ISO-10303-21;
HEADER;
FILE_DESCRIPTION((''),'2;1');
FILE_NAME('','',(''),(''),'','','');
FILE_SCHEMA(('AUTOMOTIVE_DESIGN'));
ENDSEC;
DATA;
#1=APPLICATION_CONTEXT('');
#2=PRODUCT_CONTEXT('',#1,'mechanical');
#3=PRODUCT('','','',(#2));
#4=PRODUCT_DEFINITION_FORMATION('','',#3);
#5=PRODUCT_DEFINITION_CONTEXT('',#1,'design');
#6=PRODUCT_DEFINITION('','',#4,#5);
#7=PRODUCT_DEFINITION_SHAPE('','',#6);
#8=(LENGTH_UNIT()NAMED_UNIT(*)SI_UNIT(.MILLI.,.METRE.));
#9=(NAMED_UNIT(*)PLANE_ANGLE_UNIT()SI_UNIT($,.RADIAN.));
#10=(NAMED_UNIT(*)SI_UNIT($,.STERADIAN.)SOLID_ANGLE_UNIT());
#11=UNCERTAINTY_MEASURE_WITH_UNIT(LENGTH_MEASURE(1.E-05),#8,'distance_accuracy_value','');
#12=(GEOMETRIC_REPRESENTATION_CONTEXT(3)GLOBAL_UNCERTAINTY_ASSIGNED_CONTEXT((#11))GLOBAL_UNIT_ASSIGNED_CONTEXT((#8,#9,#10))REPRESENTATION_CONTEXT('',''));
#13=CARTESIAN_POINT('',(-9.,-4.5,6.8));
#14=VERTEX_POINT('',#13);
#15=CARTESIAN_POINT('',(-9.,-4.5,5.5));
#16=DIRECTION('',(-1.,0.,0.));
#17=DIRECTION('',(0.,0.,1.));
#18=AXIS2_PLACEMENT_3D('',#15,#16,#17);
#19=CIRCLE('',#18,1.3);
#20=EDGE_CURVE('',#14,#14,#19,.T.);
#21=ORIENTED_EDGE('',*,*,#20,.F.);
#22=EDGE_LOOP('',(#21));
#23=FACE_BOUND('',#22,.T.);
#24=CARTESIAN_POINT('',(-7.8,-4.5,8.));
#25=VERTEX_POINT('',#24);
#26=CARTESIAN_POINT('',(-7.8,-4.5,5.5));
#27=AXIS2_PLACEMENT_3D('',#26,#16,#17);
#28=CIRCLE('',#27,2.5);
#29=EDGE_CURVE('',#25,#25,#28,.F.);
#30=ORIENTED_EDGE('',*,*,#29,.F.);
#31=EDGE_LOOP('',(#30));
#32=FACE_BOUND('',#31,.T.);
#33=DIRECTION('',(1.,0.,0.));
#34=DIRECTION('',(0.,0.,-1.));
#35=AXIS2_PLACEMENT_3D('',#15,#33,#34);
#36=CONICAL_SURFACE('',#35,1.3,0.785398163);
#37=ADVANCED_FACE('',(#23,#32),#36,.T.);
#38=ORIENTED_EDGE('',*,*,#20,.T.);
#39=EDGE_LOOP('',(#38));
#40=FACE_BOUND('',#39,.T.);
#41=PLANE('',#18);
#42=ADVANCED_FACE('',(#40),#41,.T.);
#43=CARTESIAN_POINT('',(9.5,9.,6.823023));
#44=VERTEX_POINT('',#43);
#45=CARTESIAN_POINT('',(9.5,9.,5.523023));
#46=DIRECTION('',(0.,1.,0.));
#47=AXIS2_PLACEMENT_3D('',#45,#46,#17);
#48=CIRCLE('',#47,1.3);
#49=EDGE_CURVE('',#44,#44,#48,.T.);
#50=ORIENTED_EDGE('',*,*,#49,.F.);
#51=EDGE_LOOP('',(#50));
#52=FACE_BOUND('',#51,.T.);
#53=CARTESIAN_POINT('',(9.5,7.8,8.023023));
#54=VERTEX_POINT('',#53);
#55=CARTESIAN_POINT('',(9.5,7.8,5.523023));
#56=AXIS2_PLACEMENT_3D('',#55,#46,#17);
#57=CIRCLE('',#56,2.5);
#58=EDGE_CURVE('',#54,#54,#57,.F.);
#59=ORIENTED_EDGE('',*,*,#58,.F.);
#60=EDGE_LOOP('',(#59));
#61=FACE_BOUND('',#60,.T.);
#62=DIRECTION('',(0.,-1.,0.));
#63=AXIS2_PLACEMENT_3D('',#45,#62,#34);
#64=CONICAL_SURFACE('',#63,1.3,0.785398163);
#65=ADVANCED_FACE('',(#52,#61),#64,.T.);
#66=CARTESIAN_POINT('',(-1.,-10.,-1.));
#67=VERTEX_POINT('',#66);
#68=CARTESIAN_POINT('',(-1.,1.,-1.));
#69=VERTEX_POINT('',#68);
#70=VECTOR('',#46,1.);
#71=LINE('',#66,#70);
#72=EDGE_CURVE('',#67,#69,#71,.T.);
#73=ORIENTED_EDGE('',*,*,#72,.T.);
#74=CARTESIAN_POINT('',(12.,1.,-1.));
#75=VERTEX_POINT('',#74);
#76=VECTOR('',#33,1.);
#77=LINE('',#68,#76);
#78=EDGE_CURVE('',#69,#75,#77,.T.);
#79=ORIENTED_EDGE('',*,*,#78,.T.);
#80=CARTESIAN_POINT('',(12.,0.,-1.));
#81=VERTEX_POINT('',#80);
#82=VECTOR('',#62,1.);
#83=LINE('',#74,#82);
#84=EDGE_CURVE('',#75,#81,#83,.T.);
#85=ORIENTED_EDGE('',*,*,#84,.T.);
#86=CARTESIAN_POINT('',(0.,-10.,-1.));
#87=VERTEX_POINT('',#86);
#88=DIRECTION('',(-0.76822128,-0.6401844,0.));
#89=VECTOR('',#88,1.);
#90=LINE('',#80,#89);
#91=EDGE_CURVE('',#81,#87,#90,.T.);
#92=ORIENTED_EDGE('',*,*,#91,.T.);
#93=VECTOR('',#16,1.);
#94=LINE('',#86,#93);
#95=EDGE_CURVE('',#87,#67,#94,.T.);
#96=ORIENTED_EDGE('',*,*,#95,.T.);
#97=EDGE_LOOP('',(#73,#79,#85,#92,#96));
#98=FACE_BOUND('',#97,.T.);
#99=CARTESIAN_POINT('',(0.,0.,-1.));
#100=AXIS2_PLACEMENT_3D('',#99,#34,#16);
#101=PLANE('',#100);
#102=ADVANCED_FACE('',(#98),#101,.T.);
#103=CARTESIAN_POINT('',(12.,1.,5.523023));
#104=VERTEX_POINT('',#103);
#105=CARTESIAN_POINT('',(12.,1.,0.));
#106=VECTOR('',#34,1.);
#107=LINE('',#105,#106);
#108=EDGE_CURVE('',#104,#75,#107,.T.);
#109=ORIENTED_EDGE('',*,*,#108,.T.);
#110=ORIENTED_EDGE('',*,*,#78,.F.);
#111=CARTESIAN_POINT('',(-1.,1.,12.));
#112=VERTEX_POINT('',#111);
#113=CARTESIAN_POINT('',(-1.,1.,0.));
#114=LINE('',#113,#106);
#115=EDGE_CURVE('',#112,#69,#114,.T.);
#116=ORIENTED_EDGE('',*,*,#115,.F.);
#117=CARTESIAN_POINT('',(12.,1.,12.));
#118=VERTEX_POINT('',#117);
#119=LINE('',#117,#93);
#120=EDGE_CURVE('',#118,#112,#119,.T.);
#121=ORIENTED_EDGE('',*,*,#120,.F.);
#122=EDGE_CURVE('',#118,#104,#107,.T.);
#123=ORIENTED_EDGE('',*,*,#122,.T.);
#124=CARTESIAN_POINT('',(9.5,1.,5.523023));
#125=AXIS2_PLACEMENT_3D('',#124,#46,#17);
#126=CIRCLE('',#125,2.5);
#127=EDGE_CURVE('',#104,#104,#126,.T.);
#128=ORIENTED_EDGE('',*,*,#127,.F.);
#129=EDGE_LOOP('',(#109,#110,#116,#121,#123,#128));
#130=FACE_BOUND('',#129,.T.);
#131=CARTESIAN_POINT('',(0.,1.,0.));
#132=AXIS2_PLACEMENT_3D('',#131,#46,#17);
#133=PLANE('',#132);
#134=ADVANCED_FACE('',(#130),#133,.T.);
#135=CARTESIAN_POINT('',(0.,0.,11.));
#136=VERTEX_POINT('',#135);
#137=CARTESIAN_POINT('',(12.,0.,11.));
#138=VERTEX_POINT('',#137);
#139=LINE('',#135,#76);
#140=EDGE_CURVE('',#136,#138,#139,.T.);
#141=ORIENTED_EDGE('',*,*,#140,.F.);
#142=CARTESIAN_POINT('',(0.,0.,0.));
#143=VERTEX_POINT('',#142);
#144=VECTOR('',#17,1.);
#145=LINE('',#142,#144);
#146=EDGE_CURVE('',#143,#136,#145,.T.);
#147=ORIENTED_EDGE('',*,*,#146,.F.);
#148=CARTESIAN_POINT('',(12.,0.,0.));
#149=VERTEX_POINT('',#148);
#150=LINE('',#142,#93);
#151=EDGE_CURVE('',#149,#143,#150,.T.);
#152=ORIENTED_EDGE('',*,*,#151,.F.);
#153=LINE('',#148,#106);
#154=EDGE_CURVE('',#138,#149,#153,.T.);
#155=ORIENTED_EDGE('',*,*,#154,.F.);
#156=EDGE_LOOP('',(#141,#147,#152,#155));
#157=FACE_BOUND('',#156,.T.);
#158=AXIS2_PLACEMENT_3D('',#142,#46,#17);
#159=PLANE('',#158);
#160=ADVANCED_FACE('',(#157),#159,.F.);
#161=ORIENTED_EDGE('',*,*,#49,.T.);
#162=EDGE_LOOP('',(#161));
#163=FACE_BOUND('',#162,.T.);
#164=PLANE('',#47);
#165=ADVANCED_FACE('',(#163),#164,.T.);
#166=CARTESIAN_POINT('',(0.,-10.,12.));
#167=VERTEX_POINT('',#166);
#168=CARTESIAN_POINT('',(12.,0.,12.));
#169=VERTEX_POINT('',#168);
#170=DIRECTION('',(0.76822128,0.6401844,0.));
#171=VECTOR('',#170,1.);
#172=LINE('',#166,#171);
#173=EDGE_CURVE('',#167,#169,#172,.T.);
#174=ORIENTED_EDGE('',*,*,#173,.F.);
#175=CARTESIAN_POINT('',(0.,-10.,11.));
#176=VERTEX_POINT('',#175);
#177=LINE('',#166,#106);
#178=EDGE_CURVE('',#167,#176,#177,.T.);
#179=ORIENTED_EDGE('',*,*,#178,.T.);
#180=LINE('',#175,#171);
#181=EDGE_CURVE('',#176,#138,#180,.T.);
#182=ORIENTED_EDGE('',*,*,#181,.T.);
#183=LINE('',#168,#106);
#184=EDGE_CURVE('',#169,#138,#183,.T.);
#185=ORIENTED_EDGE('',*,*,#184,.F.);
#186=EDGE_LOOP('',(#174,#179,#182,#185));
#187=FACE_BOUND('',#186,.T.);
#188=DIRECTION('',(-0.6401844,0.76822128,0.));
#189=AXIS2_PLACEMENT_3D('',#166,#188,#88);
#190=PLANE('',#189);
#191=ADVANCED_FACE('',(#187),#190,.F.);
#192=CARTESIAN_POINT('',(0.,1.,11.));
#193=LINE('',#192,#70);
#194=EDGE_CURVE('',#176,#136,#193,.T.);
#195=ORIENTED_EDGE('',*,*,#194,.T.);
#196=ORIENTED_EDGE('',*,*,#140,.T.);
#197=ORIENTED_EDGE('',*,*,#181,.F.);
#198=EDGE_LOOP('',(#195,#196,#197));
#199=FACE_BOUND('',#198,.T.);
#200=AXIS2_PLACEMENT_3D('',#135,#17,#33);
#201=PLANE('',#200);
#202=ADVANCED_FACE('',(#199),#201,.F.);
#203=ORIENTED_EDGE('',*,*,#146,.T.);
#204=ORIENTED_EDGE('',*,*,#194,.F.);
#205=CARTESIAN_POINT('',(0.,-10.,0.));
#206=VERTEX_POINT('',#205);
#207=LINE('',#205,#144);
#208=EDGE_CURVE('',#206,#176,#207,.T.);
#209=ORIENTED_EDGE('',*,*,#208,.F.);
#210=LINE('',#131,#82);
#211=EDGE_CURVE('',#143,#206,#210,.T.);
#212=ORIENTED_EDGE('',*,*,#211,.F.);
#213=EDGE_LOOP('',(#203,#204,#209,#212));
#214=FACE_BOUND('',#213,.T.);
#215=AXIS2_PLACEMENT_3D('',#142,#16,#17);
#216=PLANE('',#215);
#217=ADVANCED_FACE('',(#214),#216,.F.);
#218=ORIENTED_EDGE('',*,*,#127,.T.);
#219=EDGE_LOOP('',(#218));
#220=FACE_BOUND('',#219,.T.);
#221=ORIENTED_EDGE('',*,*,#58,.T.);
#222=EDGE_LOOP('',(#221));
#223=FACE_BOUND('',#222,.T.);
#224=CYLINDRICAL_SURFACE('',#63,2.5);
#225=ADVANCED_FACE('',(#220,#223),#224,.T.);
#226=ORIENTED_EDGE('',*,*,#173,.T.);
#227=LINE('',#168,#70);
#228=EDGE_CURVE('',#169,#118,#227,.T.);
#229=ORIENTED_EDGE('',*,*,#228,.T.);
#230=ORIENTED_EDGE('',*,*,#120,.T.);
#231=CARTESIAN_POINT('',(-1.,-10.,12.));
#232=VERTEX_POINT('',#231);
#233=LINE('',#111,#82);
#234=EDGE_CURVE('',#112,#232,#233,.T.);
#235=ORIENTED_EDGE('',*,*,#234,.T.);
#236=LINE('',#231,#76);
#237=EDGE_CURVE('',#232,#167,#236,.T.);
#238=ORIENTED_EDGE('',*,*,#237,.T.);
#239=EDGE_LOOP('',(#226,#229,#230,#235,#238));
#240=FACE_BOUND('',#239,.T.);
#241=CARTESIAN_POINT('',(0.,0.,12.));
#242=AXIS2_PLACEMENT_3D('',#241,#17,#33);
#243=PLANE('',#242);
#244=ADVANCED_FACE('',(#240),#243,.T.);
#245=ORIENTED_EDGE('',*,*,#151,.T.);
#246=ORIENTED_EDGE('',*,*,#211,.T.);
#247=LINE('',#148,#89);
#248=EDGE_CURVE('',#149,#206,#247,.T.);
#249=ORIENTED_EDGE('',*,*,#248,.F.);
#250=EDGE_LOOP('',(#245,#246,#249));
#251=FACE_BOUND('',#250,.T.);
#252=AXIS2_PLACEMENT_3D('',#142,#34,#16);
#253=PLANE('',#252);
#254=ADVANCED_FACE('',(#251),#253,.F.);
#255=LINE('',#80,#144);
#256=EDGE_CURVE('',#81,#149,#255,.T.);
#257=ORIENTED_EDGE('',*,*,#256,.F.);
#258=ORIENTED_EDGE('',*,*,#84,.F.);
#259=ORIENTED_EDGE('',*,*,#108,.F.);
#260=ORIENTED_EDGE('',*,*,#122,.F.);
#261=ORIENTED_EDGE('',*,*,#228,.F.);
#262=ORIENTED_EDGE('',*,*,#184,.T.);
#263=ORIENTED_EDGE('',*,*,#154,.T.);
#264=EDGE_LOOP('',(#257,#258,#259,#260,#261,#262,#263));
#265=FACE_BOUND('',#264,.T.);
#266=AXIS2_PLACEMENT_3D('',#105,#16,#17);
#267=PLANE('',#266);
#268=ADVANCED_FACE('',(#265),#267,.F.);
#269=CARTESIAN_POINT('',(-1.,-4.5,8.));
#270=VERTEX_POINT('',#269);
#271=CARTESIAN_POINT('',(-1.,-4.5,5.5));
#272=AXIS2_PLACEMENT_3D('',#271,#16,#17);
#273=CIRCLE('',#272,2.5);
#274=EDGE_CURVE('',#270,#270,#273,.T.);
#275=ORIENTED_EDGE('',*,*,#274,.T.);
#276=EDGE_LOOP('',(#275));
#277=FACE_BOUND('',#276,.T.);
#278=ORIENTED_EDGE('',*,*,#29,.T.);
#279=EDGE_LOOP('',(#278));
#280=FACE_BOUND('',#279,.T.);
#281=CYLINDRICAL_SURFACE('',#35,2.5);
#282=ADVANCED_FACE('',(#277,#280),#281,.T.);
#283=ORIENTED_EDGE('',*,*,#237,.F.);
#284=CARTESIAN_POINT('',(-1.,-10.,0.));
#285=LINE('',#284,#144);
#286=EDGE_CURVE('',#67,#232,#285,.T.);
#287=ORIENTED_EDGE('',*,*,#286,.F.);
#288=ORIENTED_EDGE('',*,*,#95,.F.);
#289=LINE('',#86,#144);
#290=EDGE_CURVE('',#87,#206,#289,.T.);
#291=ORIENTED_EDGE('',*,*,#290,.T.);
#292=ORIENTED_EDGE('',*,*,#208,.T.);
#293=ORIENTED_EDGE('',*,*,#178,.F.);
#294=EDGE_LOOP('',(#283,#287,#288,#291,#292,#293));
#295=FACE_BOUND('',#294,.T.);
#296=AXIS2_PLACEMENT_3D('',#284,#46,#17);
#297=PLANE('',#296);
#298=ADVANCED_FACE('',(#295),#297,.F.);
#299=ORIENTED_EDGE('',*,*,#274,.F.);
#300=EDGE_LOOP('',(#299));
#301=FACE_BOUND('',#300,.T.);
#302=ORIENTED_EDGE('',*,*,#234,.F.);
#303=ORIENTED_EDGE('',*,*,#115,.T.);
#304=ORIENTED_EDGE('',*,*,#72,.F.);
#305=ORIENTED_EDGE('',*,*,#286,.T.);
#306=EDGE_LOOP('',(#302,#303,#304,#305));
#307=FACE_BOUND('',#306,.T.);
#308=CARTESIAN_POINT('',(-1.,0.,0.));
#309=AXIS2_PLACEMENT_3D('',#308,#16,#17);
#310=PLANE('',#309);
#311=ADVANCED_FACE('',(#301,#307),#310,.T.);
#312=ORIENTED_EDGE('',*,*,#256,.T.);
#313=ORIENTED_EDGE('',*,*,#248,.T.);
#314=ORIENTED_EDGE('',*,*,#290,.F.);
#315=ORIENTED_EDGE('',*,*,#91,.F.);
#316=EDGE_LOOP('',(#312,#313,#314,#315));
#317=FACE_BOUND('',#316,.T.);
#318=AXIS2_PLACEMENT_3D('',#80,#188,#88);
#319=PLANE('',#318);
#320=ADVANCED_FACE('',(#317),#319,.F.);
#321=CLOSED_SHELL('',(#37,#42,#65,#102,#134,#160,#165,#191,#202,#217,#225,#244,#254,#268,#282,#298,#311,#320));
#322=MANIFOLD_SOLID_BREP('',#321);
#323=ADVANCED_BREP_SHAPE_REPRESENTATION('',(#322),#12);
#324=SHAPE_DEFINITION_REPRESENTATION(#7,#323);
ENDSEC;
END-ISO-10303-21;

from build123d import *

# Parameters (mm, degrees)
SKETCH1_W           = 12
SKETCH1_H           = 11
BOSS_EXTRUDE1_DEPTH = 1
SKETCH2_W           = 11
SKETCH2_H           = 11
BOSS_EXTRUDE2_DEPTH = 1
SKETCH3_R           = 2.5
BOSS_EXTRUDE3_DEPTH = 8
CHAMFER1_SIZE       = 1.2
SKETCH4_R           = 2.5
BOSS_EXTRUDE4_DEPTH = 8
CHAMFER2_SIZE       = 1.2
BOSS_EXTRUDE5_DEPTH = 1
BOSS_EXTRUDE6_DEPTH = 1


with BuildPart() as part:
    # Sketch1 → Boss-Extrude1 (new body)
    with BuildSketch(Plane(origin=(0, 0, 0), x_dir=(1, 0, 0), z_dir=(0, 1, 0))):
        with Locations((6, -5.5)):
            Rectangle(SKETCH1_W, SKETCH1_H)
    extrude(amount=BOSS_EXTRUDE1_DEPTH)

    # Sketch2 → Boss-Extrude2 (add)
    with BuildSketch(Plane.ZY):
        with Locations((5.5, -4.5)):
            Rectangle(SKETCH2_W, SKETCH2_H)
    extrude(amount=BOSS_EXTRUDE2_DEPTH)

    # Sketch3 → Boss-Extrude3 (add)
    with BuildSketch(Plane.ZY.offset(1)):
        with Locations((5.5, -4.5)):
            Circle(SKETCH3_R)
    extrude(amount=BOSS_EXTRUDE3_DEPTH)

    # Chamfer1
    chamfer1_edges = [part.edges().sort_by_distance(p)[0] for p in [
        (-9, -4.5, 3),
    ]]
    chamfer(chamfer1_edges, length=CHAMFER1_SIZE)

    # Sketch4 → Boss-Extrude4 (add)
    with BuildSketch(Plane(origin=(0, 1, 0), x_dir=(1, 0, 0), z_dir=(0, 1, 0))):
        with Locations((9.5, -5.523022779)):
            Circle(SKETCH4_R)
    extrude(amount=BOSS_EXTRUDE4_DEPTH)

    # Chamfer2
    chamfer2_edges = [part.edges().sort_by_distance(p)[0] for p in [
        (7, 9, 5.523022779),
    ]]
    chamfer(chamfer2_edges, length=CHAMFER2_SIZE)

    # Sketch5 → Boss-Extrude5 (add)
    with BuildSketch(Plane.XY.offset(11)):
        Polygon((0, -10), (12, 0), (12, 1), (-1, 1), (-1, -10), align=None)
    extrude(amount=BOSS_EXTRUDE5_DEPTH)

    # Sketch6 → Boss-Extrude6 (add)
    with BuildSketch(Plane(origin=(0, 0, 0), x_dir=(-1, 0, 0), z_dir=(0, 0, -1))):
        Polygon((-12, 0), (0, -10), (1, -10), (1, 1), (-12, 1), align=None)
    extrude(amount=BOSS_EXTRUDE6_DEPTH)


solid = part.part
